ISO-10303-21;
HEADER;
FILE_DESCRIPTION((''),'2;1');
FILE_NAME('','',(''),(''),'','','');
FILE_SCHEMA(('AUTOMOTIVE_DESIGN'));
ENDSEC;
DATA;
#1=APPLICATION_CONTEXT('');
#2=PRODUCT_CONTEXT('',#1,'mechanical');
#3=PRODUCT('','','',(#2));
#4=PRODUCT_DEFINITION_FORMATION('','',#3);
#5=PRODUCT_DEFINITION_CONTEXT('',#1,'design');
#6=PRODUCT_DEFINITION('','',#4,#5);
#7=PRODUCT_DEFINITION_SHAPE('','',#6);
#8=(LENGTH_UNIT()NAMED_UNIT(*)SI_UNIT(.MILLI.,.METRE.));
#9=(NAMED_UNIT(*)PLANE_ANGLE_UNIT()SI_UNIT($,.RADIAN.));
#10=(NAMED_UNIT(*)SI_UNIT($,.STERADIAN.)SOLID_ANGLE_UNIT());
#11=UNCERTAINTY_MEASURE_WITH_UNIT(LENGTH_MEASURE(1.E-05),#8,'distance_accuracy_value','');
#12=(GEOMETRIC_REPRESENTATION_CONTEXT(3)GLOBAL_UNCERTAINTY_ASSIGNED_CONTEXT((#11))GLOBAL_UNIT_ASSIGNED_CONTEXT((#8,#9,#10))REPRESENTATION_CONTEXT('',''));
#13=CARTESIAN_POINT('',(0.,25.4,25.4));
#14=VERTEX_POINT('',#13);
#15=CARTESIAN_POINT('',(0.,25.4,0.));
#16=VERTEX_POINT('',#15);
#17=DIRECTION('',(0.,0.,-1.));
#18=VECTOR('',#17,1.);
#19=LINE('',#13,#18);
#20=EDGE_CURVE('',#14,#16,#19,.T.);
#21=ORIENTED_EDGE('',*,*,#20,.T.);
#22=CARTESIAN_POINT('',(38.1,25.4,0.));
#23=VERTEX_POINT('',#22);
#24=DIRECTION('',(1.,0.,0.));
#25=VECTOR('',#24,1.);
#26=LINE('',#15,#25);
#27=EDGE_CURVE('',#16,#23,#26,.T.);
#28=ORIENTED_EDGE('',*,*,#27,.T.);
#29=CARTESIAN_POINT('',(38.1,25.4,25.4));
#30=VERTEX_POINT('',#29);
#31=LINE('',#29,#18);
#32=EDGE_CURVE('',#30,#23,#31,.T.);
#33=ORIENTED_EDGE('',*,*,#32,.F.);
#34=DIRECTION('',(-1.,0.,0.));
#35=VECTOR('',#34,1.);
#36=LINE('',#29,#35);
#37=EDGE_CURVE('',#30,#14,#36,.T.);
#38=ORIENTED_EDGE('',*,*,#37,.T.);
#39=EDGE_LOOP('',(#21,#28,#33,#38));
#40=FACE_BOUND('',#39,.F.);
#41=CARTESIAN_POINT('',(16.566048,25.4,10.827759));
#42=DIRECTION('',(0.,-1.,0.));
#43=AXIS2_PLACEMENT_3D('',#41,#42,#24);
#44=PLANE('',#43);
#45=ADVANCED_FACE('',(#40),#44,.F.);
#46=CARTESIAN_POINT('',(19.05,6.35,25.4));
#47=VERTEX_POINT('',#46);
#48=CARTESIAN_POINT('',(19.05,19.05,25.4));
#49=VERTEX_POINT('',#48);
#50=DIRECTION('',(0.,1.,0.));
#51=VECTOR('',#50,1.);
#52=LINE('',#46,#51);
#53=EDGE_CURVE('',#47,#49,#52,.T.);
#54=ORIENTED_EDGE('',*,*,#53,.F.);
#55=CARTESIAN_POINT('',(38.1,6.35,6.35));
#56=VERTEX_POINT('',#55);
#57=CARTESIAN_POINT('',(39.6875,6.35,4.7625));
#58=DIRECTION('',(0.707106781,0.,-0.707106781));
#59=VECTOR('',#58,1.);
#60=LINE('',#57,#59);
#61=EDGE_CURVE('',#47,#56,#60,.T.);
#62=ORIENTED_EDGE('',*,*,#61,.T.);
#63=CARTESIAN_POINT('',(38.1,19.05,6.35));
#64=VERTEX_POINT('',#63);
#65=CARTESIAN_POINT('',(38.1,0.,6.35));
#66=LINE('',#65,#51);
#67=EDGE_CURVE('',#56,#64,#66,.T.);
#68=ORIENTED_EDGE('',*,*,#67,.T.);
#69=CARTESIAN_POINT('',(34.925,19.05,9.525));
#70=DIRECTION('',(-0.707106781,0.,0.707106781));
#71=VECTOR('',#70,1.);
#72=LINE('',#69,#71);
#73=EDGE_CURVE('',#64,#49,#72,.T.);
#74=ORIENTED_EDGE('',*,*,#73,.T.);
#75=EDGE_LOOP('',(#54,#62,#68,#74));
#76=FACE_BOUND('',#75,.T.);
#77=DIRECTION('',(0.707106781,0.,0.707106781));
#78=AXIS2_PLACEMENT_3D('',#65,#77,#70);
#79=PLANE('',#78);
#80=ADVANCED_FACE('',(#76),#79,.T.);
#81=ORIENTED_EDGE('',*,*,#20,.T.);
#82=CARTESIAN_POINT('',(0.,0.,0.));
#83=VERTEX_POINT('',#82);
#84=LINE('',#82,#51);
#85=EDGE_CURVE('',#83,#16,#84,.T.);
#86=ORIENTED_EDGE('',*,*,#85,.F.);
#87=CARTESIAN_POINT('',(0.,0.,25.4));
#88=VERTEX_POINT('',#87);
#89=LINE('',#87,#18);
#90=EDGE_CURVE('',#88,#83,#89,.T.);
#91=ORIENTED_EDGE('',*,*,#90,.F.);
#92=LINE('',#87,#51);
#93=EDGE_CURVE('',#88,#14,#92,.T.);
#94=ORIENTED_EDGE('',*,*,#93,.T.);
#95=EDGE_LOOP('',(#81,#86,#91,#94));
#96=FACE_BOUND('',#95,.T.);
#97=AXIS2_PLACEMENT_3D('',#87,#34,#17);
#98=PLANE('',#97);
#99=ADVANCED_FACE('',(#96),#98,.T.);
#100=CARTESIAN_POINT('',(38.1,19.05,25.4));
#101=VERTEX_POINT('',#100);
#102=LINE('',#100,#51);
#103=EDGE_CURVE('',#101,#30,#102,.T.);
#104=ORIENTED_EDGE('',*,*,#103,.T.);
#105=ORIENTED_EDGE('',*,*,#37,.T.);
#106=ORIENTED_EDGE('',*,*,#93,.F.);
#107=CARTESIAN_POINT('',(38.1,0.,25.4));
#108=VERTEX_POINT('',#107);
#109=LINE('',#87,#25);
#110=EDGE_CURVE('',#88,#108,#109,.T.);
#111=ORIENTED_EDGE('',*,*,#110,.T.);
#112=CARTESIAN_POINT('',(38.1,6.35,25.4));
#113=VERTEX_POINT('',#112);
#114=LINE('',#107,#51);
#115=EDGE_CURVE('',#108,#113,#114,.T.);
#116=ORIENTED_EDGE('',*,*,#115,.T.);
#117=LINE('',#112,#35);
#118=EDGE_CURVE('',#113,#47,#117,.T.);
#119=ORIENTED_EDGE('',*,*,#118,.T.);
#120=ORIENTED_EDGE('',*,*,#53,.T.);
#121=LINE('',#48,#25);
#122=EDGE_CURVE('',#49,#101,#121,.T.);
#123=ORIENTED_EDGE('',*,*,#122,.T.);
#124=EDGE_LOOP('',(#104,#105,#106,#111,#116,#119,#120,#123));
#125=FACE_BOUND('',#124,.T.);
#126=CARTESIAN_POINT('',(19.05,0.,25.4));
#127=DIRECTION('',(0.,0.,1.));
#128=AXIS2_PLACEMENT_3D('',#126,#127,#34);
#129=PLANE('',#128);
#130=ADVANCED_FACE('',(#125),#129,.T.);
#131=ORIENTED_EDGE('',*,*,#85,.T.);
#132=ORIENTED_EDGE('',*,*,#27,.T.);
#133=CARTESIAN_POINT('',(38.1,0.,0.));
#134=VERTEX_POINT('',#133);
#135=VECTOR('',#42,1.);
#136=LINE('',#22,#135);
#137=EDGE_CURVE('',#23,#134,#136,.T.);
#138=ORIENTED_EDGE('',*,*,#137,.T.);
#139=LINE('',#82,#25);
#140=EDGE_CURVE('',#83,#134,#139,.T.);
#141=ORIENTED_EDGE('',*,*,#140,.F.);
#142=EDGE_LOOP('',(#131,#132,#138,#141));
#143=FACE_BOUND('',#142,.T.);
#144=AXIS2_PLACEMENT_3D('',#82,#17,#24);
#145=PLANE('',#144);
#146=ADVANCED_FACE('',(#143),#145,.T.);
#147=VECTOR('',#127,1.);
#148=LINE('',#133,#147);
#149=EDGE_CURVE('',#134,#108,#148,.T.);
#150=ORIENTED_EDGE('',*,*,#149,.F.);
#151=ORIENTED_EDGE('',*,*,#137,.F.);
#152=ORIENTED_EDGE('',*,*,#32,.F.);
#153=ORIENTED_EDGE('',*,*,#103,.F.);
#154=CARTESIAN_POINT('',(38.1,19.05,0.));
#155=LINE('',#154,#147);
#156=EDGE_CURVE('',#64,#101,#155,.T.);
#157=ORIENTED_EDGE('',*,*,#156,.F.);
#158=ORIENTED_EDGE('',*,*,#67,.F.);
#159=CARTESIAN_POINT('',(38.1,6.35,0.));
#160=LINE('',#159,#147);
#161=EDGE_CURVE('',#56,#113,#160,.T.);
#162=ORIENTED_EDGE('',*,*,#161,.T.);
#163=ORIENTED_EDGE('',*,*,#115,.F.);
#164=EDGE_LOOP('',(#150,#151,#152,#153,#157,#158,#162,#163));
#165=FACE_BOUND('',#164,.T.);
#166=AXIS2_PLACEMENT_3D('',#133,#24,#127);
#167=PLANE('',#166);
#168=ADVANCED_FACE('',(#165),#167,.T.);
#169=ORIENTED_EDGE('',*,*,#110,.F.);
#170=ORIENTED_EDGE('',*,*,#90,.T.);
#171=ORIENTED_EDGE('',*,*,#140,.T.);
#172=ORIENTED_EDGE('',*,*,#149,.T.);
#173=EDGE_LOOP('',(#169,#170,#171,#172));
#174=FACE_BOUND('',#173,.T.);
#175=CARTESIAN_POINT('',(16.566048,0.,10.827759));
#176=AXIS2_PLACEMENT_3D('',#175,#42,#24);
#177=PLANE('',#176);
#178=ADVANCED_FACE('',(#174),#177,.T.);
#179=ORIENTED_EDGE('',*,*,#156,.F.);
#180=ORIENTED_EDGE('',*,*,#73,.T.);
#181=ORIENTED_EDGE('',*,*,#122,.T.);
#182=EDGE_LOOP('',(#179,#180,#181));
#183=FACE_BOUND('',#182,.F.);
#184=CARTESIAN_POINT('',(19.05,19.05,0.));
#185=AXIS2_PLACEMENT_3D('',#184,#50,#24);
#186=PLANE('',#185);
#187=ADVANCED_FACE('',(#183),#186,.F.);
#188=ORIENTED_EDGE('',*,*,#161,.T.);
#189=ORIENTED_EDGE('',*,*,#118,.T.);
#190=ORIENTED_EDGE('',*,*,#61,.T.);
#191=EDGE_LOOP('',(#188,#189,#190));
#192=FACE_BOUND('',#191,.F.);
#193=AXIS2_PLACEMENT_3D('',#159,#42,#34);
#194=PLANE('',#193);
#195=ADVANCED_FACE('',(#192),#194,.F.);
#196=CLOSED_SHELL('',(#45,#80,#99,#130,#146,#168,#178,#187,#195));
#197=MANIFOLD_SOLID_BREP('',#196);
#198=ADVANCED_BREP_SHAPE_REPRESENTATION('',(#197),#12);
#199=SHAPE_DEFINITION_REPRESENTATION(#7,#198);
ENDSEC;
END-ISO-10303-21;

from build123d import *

# Parameters (mm, degrees)
F2_DEPTH = 25.4
F4_DEPTH = 25.4


with BuildPart() as f2:
    # F0 (on Front) → F2 (new body)
    with BuildSketch(Plane.XZ):
        Polygon((0, 25.4), (0, 0), (38.1, 0), (38.1, 6.35), (19.05, 25.4), align=None)
    extrude(amount=-F2_DEPTH)

    # F3 (on Top) → F4 (join)
    with BuildSketch(Plane.XY):
        Polygon((0, 25.4), (0, 0), (38.1, 0), (38.1, 6.35), (19.05, 6.35), (19.05, 19.05), (38.1, 19.05), (38.1, 25.4), align=None)
    extrude(amount=F4_DEPTH)


solid = f2.part
